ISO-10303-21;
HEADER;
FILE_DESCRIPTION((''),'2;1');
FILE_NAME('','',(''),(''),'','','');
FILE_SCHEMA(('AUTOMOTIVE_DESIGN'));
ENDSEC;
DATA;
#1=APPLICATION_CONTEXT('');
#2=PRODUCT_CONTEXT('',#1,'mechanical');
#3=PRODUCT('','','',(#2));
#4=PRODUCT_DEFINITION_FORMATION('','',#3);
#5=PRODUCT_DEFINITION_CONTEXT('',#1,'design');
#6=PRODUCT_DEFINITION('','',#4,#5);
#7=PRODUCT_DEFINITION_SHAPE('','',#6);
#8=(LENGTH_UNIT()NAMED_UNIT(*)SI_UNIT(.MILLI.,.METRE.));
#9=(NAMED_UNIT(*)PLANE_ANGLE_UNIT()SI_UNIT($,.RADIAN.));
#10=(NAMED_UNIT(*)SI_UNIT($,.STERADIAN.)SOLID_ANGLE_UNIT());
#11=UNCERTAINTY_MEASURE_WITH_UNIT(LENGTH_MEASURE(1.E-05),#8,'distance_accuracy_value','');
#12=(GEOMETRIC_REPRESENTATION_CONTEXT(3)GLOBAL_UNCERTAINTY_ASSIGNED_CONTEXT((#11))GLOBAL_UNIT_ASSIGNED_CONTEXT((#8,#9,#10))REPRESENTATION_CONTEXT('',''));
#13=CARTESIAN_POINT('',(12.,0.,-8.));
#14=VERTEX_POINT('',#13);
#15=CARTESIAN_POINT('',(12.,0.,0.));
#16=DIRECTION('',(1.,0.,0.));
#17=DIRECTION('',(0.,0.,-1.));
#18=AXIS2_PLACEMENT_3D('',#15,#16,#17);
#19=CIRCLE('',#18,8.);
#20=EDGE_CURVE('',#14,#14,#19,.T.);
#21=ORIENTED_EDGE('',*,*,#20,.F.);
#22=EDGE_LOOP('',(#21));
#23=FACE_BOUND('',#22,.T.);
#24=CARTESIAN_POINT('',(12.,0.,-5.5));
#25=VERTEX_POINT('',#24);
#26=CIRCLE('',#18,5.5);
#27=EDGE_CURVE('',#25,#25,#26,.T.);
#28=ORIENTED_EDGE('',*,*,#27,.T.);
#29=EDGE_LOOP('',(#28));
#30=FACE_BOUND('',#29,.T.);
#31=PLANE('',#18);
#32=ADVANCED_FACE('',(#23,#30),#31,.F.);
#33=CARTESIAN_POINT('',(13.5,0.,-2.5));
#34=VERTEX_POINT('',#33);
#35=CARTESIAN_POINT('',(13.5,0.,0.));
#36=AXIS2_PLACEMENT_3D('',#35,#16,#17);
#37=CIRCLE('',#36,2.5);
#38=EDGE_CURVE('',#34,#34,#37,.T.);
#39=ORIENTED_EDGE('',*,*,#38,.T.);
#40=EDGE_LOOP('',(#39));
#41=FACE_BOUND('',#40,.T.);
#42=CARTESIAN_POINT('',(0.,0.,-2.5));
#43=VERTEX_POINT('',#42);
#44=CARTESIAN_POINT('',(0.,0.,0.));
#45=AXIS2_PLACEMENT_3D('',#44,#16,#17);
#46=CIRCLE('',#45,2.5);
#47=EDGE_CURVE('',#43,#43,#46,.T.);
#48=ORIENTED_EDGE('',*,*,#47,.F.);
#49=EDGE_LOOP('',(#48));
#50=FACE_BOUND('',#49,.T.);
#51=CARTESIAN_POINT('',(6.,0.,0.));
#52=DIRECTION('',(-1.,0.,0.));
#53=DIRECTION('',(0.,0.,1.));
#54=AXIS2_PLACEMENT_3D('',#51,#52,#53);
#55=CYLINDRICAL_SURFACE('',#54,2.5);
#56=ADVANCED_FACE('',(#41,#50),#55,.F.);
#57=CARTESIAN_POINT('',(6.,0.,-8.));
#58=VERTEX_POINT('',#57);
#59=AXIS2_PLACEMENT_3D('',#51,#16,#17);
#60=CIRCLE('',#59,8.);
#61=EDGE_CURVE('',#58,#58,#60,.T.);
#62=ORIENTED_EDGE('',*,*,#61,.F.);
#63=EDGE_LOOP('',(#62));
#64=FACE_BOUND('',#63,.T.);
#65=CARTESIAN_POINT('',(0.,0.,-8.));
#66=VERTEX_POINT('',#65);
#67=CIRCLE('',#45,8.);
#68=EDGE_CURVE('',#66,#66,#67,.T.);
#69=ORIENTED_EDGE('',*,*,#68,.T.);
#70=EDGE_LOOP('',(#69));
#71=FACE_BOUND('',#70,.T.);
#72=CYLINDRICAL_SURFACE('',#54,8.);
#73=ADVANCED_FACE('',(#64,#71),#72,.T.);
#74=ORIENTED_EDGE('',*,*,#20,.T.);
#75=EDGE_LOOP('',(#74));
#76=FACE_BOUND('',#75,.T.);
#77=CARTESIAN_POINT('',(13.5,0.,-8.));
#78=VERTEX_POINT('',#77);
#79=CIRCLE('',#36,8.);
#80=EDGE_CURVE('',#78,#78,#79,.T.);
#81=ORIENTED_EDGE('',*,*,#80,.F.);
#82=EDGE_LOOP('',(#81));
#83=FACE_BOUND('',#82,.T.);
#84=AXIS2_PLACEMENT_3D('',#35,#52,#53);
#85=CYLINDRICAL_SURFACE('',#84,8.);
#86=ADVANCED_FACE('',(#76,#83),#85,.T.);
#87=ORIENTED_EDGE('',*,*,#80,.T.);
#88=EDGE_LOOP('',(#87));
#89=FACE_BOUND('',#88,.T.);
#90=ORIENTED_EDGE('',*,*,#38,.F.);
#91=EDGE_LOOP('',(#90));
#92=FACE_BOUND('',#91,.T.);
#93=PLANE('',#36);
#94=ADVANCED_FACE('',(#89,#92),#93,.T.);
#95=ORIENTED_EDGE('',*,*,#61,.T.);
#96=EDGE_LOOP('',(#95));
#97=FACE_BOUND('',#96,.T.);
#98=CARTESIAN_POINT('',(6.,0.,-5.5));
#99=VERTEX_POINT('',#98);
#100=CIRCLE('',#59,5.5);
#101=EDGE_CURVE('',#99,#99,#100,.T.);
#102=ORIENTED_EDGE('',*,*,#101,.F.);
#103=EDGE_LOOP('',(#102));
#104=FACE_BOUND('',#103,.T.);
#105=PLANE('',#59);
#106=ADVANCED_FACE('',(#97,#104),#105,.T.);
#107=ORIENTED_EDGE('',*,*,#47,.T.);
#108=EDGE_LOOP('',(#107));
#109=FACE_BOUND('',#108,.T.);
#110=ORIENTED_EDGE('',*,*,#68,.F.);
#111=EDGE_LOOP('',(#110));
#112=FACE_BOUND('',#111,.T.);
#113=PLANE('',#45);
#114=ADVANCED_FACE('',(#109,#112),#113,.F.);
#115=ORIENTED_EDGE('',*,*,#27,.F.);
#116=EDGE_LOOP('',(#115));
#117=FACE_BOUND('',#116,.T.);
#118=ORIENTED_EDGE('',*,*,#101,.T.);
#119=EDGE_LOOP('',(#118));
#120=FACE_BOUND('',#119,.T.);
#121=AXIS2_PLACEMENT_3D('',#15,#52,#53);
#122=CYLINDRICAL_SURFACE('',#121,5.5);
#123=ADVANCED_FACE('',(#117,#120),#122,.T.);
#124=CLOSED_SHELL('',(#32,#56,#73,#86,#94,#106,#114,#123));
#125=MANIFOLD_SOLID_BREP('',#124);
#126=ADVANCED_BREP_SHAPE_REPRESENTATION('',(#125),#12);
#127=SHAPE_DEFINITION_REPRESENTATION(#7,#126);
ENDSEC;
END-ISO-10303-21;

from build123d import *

# Parameters (mm, degrees)
SKETCH1_R           = 8
SKETCH1_R_2         = 2.5
BOSS_EXTRUDE1_DEPTH = 6
SKETCH2_R           = 5.5
SKETCH2_R_2         = 2.5
BOSS_EXTRUDE2_DEPTH = 6
SKETCH3_R           = 8
SKETCH3_R_2         = 2.5
BOSS_EXTRUDE3_DEPTH = 1.5


with BuildPart() as part:
    # Sketch1 → Boss-Extrude1 (new body)
    with BuildSketch(Plane(origin=(0, 0, 0), x_dir=(0, 0, -1), z_dir=(1, 0, 0))):
        Circle(SKETCH1_R)
        Circle(SKETCH1_R_2, mode=Mode.SUBTRACT)
    extrude(amount=BOSS_EXTRUDE1_DEPTH)

    # Sketch2 → Boss-Extrude2 (add)
    with BuildSketch(Plane(origin=(6, 0, 0), x_dir=(0, 0, -1), z_dir=(1, 0, 0))):
        Circle(SKETCH2_R)
        Circle(SKETCH2_R_2, mode=Mode.SUBTRACT)
    extrude(amount=BOSS_EXTRUDE2_DEPTH)

    # Sketch3 → Boss-Extrude3 (add)
    with BuildSketch(Plane(origin=(12, 0, 0), x_dir=(0, 0, -1), z_dir=(1, 0, 0))):
        Circle(SKETCH3_R)
        Circle(SKETCH3_R_2, mode=Mode.SUBTRACT)
    extrude(amount=BOSS_EXTRUDE3_DEPTH)


solid = part.part
